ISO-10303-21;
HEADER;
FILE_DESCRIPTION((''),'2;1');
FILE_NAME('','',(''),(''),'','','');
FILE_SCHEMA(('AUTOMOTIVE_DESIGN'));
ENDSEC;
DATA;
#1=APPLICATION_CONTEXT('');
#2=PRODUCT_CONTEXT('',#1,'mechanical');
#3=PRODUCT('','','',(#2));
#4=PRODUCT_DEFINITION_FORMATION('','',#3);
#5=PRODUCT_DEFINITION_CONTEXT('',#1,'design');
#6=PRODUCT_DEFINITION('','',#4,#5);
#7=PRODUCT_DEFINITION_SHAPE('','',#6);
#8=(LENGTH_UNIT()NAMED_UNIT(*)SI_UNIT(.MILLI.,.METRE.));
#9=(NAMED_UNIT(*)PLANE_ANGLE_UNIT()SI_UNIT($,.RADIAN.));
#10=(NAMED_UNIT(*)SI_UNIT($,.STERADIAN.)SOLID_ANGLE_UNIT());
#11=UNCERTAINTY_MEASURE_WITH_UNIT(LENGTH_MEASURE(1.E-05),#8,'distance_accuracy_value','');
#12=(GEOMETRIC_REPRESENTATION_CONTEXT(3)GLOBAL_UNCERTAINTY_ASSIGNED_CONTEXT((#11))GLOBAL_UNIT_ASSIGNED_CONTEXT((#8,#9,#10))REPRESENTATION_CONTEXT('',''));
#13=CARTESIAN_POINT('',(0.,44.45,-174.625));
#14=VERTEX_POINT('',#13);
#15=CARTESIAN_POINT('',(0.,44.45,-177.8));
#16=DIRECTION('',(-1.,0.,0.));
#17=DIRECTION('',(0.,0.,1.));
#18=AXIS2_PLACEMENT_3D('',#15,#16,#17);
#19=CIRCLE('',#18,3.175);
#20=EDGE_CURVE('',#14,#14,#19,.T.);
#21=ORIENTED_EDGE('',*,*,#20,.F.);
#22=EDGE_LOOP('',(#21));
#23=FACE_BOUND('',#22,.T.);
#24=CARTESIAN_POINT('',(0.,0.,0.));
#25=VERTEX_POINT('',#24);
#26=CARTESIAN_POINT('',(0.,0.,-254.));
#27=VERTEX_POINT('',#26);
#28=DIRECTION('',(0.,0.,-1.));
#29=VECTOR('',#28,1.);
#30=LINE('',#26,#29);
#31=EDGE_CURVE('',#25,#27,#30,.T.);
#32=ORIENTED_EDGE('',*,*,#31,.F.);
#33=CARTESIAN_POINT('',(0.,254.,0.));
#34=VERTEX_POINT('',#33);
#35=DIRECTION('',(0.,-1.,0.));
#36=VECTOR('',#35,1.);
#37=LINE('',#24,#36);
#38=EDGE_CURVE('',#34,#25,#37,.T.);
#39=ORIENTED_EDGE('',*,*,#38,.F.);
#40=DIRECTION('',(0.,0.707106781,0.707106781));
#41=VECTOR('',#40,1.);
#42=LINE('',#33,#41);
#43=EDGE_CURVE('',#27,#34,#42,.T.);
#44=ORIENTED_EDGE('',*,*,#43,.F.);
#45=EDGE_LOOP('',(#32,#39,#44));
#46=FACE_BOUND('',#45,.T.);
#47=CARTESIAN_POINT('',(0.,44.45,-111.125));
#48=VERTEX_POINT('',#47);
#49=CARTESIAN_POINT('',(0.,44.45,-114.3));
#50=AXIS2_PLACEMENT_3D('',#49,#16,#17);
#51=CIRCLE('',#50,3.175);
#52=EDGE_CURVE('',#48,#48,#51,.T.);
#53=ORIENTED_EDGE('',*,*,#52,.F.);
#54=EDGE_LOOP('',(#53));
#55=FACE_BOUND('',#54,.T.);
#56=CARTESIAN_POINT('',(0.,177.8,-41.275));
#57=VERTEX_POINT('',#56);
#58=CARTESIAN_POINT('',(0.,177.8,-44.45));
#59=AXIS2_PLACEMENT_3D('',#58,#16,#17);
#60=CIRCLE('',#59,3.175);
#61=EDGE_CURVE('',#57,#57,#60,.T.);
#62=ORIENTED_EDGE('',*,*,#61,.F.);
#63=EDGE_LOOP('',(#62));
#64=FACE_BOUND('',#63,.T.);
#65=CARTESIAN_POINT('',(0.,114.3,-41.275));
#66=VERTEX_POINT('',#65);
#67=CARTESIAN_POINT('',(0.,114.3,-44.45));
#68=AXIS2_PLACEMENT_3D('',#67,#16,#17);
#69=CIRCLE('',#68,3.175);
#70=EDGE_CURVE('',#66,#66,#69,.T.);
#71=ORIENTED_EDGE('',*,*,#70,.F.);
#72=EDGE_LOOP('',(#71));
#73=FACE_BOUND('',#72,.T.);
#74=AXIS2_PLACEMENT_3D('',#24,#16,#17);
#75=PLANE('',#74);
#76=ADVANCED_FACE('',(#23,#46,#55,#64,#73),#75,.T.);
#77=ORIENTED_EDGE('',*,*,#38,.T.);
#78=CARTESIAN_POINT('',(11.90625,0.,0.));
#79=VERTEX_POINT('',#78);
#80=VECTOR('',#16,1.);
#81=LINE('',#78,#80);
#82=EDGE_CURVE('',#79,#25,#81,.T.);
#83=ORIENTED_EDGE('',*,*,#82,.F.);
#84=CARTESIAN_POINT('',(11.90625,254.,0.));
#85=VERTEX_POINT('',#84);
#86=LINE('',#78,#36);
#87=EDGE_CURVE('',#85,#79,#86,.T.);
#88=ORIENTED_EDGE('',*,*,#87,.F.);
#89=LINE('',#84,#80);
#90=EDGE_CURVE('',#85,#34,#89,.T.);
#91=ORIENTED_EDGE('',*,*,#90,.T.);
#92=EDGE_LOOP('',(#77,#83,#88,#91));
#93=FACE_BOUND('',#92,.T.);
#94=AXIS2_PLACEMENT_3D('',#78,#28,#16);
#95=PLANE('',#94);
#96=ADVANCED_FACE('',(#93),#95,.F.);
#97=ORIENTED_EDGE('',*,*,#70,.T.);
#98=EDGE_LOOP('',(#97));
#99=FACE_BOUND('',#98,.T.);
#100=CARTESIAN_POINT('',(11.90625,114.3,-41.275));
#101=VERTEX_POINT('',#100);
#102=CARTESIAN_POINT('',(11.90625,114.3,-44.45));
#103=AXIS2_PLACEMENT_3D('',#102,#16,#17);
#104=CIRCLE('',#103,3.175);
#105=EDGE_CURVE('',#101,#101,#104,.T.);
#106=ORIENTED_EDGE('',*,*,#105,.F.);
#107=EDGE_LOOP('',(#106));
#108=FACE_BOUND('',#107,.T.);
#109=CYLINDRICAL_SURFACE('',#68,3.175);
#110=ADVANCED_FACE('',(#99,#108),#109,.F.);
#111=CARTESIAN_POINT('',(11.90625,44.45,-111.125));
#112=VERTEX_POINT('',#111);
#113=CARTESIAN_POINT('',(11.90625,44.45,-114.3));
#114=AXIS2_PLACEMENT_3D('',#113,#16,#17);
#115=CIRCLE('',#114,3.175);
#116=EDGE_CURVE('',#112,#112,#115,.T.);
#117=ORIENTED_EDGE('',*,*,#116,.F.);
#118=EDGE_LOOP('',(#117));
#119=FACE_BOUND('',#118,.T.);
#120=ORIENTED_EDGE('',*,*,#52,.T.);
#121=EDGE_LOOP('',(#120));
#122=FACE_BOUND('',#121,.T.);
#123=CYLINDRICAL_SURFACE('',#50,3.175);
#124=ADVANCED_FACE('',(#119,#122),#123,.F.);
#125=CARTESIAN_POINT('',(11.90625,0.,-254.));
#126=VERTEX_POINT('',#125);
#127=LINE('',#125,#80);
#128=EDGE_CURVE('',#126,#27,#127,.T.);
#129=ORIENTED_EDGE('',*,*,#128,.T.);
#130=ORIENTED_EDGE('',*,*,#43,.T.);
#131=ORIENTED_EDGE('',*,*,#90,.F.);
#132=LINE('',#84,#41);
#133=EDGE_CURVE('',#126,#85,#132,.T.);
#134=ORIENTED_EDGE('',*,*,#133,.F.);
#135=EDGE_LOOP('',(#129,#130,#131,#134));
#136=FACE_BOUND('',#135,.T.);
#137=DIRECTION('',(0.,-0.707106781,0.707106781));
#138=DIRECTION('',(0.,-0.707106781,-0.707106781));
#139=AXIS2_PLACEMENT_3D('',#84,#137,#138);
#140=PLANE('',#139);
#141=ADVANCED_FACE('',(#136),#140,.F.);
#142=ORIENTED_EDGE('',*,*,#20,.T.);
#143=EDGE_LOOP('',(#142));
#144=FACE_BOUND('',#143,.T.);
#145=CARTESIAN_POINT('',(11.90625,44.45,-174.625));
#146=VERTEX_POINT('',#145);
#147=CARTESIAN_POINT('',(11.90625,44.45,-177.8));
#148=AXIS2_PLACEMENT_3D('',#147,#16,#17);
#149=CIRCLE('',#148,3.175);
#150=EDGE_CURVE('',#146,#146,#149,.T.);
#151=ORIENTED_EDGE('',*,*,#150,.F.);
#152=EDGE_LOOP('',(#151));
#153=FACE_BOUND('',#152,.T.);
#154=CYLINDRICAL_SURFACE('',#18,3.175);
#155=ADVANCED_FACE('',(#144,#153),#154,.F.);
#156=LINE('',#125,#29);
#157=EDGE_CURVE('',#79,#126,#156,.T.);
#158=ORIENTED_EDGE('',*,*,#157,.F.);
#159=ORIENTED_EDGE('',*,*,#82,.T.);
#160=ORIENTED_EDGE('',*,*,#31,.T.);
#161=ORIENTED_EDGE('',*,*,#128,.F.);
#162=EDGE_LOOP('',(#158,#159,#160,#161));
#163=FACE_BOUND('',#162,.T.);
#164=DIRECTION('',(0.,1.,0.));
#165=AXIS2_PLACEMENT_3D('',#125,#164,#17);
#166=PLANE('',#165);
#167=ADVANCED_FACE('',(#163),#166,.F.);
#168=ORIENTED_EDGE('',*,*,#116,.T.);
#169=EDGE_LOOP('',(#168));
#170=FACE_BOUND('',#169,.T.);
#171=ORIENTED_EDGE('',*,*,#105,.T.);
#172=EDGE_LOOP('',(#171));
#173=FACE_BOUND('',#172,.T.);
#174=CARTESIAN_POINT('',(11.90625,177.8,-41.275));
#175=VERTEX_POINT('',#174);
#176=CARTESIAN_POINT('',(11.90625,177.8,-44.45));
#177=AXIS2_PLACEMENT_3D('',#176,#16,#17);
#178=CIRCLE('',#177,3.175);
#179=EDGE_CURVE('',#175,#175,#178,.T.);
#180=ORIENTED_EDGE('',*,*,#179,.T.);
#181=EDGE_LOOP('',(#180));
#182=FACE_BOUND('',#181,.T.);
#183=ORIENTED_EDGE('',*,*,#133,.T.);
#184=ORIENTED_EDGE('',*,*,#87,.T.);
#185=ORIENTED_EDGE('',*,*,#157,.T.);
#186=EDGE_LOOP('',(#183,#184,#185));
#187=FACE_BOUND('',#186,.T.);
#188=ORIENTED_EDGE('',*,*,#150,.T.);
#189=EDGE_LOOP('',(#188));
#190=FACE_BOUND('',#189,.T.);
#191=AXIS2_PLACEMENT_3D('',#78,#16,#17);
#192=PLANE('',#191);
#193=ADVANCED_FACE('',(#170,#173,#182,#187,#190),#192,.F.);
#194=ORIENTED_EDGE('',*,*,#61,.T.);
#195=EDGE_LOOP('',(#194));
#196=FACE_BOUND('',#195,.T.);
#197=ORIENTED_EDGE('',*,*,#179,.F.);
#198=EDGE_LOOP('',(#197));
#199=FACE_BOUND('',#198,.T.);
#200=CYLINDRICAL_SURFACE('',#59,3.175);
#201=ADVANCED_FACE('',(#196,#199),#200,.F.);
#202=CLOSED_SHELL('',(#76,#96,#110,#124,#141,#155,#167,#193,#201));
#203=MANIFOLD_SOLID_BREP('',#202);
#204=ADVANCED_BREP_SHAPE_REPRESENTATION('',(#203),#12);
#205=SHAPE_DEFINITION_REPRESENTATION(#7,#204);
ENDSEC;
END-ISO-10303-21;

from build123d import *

# Parameters (mm, degrees)
BOSS_EXTRUDE1_DEPTH         = 11.90625
F_1_4_0_25_DIAMETER_HOLE1_D = 6.35


with BuildPart() as part:
    # Sketch1 → Boss-Extrude1 (new body)
    with BuildSketch(Plane(origin=(0, 0, 0), x_dir=(0, 0, -1), z_dir=(1, 0, 0))):
        Polygon((0, 0), (0, 254), (254, 0), align=None)
    extrude(amount=BOSS_EXTRUDE1_DEPTH)

    # 1/4 (0.25) Diameter Hole1 (through all)
    with Locations(Plane.ZY):
        with Locations((-114.3, 44.45), (-44.45, 114.3), (-44.45, 177.8), (-177.8, 44.45)):
            Hole(F_1_4_0_25_DIAMETER_HOLE1_D / 2)


solid = part.part
